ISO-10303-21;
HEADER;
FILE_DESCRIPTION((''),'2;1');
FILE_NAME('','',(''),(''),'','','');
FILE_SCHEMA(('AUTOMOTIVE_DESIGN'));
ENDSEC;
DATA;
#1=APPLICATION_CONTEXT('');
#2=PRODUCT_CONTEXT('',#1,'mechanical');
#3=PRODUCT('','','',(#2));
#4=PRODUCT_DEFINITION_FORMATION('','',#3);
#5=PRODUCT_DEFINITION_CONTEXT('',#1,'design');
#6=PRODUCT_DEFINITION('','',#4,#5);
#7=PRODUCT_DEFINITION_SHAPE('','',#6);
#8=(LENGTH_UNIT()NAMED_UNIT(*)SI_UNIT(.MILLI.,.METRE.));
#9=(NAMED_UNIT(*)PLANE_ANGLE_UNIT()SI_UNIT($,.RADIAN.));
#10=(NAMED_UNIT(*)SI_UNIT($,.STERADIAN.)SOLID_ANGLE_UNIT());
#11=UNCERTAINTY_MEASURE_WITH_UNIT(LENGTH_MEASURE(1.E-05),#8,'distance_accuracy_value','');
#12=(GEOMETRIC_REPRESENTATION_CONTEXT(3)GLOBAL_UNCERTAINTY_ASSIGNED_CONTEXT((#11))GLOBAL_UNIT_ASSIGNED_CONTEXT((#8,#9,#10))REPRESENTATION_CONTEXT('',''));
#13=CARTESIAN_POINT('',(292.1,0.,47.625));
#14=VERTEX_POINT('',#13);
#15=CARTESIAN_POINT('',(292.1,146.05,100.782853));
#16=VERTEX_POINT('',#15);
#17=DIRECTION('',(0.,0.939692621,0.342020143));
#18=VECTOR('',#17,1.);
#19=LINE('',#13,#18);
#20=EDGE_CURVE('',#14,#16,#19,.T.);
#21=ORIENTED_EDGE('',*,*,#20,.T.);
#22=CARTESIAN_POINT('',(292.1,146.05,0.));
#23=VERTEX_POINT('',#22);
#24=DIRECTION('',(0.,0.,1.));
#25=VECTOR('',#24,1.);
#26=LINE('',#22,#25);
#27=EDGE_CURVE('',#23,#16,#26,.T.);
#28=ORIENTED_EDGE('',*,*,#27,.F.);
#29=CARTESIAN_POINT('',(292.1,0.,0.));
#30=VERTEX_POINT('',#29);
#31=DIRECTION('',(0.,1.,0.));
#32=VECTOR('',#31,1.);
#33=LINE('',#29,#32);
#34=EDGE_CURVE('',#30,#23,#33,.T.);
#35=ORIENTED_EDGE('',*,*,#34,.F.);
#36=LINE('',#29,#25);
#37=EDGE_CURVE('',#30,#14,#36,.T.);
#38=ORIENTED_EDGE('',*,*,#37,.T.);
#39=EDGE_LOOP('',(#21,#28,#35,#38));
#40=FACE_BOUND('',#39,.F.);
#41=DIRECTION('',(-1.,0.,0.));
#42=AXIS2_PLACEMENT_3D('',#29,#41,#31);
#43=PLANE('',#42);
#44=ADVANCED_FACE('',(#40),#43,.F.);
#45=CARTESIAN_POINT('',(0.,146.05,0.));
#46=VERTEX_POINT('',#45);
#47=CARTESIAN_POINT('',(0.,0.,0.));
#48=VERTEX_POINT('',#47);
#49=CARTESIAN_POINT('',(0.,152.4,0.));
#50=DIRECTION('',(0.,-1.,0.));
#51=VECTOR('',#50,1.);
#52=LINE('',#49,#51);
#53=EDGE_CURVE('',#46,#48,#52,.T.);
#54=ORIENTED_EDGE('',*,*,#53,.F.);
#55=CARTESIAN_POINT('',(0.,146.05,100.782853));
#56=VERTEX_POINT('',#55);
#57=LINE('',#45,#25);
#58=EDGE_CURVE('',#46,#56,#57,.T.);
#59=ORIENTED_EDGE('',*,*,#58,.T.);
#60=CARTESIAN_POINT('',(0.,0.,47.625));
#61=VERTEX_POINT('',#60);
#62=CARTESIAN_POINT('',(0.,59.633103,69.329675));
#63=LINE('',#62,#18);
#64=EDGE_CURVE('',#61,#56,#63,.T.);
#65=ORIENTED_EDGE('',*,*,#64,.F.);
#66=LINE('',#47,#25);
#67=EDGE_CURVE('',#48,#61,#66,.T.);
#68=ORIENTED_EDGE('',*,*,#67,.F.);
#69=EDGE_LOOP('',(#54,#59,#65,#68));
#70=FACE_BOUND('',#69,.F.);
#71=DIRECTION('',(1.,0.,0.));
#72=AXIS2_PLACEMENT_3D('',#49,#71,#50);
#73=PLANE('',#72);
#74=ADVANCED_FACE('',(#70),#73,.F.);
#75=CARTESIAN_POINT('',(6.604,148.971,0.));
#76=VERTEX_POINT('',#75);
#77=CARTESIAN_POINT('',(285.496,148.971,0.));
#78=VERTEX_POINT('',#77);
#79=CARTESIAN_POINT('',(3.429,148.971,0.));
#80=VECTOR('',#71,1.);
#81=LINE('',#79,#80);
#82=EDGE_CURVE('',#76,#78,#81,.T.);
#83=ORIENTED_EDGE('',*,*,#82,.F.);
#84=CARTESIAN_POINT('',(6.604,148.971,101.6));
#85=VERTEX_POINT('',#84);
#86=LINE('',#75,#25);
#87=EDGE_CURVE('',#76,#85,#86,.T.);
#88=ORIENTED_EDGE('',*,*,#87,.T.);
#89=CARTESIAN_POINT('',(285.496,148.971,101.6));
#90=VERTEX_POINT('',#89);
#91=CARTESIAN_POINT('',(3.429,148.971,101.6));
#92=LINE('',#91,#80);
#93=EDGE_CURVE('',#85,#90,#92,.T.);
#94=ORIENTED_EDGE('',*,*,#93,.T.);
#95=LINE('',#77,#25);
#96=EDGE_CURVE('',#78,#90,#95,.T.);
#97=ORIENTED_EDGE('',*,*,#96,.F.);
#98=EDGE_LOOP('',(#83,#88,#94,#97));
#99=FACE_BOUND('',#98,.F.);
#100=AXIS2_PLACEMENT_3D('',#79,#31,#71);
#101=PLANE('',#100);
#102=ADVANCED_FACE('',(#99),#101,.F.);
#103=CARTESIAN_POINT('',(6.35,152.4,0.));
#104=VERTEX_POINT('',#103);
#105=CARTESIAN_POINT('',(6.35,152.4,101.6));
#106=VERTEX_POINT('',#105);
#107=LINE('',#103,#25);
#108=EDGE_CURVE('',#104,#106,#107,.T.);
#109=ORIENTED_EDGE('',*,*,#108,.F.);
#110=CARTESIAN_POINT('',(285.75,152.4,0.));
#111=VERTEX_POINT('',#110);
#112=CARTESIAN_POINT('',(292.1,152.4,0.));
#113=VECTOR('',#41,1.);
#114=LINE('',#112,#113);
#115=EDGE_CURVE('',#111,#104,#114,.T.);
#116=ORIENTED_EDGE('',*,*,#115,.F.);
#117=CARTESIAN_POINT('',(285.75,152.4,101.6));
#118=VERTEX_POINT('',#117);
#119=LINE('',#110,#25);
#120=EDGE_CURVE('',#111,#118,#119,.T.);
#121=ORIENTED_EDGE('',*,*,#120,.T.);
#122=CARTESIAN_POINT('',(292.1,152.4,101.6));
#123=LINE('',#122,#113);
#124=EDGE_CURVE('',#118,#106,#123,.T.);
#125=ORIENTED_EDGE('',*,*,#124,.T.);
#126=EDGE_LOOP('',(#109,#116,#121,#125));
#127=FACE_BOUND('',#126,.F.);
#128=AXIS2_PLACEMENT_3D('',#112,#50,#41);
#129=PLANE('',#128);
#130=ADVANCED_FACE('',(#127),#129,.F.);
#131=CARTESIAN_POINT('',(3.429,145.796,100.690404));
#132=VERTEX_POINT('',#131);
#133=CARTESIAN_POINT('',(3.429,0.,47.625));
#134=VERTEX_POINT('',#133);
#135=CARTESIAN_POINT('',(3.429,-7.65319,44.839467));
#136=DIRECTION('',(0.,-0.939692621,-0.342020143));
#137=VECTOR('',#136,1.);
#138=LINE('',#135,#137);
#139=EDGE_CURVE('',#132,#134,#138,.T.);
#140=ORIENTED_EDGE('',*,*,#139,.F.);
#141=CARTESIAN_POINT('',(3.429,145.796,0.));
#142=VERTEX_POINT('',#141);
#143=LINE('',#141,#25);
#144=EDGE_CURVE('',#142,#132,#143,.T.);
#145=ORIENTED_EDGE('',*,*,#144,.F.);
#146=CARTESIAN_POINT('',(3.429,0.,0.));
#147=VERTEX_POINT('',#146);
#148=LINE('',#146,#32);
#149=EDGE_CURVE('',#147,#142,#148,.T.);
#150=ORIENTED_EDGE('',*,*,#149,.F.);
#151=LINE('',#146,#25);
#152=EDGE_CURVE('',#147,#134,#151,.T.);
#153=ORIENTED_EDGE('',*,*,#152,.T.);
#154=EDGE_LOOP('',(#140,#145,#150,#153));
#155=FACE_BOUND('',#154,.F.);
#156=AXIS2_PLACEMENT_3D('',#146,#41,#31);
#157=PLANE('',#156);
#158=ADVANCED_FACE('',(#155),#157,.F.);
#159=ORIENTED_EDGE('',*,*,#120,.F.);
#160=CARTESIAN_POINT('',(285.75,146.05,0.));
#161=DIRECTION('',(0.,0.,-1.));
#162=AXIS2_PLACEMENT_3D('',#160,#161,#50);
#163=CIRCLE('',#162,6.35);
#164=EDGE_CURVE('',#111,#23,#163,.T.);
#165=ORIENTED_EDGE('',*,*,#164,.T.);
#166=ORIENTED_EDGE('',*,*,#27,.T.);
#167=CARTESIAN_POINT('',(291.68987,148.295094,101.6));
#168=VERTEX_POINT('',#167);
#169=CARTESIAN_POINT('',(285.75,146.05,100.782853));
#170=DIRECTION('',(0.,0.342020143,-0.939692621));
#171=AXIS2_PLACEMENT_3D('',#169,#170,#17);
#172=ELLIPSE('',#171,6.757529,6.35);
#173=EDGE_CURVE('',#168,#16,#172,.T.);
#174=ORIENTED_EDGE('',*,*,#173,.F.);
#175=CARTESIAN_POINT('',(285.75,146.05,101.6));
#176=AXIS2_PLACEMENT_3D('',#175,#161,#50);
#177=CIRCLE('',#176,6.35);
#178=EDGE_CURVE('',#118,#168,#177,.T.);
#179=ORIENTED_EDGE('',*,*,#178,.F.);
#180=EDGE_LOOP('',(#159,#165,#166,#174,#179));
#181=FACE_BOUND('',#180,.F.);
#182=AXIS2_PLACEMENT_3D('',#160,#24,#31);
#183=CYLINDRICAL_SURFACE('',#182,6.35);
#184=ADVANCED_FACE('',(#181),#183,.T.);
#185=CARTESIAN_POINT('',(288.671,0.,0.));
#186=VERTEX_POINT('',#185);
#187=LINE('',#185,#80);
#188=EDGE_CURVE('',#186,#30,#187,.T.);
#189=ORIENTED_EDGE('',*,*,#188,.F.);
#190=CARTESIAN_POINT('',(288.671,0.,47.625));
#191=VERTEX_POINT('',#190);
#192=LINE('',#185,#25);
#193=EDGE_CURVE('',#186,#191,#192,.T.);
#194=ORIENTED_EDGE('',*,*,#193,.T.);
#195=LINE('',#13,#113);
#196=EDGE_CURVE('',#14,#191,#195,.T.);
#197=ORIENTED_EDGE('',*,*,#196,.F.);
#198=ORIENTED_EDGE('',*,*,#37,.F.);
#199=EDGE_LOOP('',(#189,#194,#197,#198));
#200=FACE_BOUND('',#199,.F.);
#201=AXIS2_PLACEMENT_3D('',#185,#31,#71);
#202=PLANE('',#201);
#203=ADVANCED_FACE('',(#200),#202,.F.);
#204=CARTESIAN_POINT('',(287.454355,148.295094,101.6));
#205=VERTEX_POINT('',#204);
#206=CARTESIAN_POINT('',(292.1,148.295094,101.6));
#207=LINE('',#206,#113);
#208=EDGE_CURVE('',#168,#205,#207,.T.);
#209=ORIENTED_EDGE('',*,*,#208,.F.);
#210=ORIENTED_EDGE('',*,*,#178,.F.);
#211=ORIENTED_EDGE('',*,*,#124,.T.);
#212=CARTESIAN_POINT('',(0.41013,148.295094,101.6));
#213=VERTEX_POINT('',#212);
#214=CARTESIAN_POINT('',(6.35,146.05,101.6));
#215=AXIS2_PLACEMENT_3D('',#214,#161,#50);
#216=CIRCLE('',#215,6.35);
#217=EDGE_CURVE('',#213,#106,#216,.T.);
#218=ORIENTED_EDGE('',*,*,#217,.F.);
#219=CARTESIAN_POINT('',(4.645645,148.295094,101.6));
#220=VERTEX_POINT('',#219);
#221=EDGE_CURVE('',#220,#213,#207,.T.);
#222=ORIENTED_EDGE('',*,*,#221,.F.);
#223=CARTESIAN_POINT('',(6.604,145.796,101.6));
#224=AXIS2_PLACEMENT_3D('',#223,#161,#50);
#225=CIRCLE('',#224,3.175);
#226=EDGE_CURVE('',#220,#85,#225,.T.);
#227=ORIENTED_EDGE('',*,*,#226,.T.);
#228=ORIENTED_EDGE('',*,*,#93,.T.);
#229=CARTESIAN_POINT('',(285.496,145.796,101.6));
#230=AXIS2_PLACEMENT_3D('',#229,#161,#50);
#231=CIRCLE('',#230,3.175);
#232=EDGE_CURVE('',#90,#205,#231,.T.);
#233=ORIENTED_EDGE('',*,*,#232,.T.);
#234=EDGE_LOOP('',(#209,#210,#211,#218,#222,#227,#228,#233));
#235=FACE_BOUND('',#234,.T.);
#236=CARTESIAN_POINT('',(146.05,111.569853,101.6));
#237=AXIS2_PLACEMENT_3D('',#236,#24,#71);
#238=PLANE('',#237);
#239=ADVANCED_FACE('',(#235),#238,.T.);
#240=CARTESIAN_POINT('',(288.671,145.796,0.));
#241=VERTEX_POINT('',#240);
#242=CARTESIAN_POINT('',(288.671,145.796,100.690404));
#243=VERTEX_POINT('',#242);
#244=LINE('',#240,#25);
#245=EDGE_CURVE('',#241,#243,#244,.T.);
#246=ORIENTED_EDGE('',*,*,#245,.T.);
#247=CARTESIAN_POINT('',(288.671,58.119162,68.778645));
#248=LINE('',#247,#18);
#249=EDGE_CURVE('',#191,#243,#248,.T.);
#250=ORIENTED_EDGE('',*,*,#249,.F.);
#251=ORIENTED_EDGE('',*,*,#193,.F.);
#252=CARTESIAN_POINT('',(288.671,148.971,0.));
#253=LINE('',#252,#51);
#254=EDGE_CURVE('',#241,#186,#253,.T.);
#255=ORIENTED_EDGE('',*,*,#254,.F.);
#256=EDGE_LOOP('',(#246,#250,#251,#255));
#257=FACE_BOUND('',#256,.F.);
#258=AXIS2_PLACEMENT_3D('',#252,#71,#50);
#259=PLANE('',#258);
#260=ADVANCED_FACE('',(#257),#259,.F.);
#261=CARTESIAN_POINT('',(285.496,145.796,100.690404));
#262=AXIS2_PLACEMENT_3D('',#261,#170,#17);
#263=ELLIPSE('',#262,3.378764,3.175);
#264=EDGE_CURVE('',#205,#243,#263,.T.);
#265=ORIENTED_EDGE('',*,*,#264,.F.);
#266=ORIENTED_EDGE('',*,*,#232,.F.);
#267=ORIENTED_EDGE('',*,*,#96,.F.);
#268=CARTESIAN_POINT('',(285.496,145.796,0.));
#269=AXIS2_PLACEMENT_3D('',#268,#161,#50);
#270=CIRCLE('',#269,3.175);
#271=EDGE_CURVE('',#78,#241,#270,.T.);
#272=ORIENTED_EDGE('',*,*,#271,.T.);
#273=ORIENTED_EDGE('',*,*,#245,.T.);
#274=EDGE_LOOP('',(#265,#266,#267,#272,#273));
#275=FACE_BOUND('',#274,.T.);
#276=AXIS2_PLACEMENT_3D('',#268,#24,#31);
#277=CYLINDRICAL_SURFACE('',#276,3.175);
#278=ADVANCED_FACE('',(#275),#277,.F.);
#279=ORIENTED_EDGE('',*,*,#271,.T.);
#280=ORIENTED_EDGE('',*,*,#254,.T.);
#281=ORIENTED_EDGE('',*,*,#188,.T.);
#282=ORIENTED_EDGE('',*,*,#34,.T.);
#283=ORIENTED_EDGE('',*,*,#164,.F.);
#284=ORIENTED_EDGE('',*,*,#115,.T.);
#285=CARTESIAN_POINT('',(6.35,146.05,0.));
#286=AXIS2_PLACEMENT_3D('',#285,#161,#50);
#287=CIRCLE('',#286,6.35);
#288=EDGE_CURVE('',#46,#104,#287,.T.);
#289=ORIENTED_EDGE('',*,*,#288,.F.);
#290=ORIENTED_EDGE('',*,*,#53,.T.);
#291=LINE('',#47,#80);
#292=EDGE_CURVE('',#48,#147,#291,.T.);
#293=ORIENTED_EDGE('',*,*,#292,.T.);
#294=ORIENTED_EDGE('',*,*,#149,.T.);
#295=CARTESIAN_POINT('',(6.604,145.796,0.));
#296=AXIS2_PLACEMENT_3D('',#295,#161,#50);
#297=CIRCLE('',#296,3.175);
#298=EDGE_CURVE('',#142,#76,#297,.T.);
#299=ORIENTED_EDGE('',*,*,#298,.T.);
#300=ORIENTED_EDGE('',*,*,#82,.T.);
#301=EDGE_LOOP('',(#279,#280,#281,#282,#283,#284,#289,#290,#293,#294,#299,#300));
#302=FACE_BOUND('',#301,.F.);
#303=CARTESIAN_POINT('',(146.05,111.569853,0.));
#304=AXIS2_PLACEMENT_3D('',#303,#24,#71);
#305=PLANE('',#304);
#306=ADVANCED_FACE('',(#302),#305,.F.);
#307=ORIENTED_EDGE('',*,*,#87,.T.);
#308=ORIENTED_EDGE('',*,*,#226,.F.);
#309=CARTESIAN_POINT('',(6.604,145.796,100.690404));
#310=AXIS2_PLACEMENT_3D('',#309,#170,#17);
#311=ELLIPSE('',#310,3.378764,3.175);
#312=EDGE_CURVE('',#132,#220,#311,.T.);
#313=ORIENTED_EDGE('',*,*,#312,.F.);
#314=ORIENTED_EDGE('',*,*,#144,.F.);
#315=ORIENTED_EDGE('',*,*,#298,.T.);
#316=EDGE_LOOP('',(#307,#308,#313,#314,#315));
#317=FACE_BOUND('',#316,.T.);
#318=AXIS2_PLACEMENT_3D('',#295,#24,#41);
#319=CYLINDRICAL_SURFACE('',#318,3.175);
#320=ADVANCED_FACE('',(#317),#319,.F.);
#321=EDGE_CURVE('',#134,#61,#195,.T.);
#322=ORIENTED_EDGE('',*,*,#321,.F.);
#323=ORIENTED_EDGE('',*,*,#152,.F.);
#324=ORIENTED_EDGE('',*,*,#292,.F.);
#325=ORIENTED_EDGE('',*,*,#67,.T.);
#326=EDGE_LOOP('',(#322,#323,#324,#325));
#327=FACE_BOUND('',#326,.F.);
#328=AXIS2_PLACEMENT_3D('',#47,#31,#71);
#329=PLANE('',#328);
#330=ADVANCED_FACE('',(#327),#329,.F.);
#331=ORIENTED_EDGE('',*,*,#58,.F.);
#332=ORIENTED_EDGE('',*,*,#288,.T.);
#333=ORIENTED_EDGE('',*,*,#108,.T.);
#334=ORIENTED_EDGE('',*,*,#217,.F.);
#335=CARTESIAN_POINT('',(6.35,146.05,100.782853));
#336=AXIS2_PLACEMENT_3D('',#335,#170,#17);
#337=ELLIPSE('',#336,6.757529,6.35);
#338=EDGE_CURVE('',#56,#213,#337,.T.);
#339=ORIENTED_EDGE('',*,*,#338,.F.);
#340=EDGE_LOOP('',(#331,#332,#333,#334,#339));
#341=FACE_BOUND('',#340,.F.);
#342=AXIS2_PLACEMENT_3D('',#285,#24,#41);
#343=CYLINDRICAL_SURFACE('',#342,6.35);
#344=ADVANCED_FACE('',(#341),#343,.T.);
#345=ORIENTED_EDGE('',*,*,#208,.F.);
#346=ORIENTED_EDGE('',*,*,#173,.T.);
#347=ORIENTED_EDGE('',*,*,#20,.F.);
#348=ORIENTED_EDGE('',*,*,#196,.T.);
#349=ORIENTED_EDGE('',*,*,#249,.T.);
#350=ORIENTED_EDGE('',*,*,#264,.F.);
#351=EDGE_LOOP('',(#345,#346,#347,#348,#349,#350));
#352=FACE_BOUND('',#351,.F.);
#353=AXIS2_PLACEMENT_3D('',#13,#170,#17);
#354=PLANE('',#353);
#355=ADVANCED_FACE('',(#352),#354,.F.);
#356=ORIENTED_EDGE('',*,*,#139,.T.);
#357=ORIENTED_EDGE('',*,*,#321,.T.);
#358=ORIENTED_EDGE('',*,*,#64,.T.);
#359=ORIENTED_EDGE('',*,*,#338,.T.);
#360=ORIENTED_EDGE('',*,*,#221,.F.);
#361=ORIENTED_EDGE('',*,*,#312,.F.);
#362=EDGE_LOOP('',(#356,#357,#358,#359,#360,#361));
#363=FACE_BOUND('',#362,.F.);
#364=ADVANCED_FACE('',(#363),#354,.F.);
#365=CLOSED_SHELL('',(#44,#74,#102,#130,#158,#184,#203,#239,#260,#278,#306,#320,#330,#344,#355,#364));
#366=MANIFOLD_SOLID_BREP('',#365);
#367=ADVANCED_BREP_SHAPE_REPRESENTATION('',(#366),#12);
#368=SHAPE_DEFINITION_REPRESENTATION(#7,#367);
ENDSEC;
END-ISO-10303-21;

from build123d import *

# Parameters (mm, degrees)
F1_DEPTH = 101.6
F3_DEPTH = 292.101
F4_R     = 3.175
F5_R     = 6.35


with BuildPart() as f1:
    # F0 (on Top) → F1 (new body)
    with BuildSketch(Plane.XY):
        Polygon((0, 152.4), (0, 0), (3.429, 0), (3.429, 148.971), (288.671, 148.971), (288.671, 0), (292.1, 0), (292.1, 152.4), align=None)
    extrude(amount=F1_DEPTH)

    # F2 (on face) → F3 (cut, through all)
    with BuildSketch(Plane.YZ.offset(292.1)):
        Polygon((0, 101.6), (0, 47.625), (148.295094, 101.6), align=None)
    extrude(amount=-F3_DEPTH, mode=Mode.SUBTRACT)

    # F4
    f4_edges = [f1.edges().sort_by_distance(p)[0] for p in [
        (288.671, 148.971, 50.8),
        (3.429, 148.971, 50.8),
    ]]
    fillet(f4_edges, radius=F4_R)

    # F5
    f5_edges = [f1.edges().sort_by_distance(p)[0] for p in [
        (0, 152.4, 50.8),
        (292.1, 152.4, 50.8),
    ]]
    fillet(f5_edges, radius=F5_R)


solid = f1.part
